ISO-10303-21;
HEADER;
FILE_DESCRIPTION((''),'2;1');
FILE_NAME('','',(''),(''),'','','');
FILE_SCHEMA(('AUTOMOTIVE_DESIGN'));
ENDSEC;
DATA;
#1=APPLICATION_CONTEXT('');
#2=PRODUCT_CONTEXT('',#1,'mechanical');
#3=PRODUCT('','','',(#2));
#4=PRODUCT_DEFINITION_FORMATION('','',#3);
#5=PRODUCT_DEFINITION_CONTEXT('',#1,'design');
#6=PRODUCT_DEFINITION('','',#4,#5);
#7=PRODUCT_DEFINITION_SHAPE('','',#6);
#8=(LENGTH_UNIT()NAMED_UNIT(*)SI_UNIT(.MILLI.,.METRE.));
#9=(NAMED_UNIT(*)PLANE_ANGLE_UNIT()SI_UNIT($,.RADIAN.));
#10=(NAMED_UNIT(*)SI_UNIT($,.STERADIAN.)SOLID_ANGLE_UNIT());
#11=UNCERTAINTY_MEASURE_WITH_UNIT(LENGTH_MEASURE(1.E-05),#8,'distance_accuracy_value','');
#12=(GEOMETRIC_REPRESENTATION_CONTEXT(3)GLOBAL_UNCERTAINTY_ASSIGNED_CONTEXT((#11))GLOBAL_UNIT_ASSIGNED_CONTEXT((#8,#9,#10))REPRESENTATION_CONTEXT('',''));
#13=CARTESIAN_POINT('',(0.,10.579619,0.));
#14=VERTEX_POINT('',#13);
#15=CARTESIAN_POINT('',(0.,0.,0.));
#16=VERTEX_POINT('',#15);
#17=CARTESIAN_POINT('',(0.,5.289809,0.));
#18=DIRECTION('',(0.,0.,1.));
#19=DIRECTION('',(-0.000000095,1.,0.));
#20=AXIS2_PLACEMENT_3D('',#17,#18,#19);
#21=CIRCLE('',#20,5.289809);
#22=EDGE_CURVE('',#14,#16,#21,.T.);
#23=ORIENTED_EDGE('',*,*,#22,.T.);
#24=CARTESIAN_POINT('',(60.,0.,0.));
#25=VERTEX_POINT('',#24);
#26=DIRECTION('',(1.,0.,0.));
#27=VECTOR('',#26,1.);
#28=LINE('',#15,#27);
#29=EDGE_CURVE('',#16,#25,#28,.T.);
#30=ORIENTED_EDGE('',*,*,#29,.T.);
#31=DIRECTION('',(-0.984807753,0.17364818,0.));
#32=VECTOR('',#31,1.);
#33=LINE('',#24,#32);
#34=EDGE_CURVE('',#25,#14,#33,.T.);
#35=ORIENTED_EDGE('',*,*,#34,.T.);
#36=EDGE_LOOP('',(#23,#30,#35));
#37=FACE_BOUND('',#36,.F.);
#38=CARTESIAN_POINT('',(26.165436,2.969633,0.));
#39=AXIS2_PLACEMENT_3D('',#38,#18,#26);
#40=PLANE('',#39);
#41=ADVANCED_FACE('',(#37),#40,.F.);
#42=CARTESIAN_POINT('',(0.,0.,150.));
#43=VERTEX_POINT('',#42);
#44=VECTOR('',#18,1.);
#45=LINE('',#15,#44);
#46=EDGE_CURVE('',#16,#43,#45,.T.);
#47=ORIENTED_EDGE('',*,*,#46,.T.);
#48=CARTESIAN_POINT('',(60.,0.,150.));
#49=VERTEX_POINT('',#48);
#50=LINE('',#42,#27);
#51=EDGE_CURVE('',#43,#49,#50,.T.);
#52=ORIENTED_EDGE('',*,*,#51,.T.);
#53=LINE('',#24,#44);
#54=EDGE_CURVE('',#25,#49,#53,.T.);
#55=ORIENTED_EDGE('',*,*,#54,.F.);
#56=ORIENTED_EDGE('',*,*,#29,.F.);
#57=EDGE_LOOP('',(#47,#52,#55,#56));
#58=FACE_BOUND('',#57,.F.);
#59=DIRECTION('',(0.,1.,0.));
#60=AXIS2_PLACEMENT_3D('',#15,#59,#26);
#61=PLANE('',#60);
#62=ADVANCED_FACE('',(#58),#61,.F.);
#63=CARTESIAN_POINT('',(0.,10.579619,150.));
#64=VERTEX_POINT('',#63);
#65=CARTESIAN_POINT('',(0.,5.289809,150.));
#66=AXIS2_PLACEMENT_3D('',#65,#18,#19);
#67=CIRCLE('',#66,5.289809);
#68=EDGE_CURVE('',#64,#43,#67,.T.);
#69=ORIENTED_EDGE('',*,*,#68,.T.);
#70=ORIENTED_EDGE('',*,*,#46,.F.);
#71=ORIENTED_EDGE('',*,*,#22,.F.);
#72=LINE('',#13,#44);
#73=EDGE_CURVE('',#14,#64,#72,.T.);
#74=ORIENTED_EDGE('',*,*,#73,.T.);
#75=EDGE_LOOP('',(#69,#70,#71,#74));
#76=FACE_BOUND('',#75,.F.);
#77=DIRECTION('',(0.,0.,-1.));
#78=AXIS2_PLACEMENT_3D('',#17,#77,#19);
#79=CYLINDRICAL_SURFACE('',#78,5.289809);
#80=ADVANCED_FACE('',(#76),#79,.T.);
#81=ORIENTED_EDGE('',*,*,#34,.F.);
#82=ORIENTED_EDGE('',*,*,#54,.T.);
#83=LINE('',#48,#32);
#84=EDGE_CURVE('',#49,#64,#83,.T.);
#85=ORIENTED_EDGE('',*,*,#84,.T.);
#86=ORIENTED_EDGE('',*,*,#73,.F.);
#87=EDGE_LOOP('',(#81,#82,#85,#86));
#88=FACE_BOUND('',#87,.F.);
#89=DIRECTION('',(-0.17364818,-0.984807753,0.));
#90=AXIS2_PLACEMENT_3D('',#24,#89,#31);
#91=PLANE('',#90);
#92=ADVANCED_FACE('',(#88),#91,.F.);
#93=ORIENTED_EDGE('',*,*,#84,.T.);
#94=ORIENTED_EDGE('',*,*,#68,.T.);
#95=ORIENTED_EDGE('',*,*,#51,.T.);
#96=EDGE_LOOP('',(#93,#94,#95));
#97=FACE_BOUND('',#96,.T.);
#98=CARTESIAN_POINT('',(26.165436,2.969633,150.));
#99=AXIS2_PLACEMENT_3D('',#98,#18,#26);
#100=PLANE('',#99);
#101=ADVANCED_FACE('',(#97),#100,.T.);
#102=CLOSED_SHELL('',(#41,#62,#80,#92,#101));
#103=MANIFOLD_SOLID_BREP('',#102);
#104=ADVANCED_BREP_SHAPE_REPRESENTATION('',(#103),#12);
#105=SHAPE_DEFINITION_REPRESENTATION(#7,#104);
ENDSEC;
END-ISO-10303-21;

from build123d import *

# Parameters (mm, degrees)
F1_DEPTH = 150


with BuildPart() as f1:
    # F0 (on Top) → F1 (new body)
    with BuildSketch(Plane.XY):
        with BuildLine():
            ThreePointArc((0, 10.579619), (-5.289809, 5.289809), (0, 0))
            Line((0, 0), (60, 0))
            Line((60, 0), (0, 10.579619))
        make_face()
    extrude(amount=F1_DEPTH)


solid = f1.part
